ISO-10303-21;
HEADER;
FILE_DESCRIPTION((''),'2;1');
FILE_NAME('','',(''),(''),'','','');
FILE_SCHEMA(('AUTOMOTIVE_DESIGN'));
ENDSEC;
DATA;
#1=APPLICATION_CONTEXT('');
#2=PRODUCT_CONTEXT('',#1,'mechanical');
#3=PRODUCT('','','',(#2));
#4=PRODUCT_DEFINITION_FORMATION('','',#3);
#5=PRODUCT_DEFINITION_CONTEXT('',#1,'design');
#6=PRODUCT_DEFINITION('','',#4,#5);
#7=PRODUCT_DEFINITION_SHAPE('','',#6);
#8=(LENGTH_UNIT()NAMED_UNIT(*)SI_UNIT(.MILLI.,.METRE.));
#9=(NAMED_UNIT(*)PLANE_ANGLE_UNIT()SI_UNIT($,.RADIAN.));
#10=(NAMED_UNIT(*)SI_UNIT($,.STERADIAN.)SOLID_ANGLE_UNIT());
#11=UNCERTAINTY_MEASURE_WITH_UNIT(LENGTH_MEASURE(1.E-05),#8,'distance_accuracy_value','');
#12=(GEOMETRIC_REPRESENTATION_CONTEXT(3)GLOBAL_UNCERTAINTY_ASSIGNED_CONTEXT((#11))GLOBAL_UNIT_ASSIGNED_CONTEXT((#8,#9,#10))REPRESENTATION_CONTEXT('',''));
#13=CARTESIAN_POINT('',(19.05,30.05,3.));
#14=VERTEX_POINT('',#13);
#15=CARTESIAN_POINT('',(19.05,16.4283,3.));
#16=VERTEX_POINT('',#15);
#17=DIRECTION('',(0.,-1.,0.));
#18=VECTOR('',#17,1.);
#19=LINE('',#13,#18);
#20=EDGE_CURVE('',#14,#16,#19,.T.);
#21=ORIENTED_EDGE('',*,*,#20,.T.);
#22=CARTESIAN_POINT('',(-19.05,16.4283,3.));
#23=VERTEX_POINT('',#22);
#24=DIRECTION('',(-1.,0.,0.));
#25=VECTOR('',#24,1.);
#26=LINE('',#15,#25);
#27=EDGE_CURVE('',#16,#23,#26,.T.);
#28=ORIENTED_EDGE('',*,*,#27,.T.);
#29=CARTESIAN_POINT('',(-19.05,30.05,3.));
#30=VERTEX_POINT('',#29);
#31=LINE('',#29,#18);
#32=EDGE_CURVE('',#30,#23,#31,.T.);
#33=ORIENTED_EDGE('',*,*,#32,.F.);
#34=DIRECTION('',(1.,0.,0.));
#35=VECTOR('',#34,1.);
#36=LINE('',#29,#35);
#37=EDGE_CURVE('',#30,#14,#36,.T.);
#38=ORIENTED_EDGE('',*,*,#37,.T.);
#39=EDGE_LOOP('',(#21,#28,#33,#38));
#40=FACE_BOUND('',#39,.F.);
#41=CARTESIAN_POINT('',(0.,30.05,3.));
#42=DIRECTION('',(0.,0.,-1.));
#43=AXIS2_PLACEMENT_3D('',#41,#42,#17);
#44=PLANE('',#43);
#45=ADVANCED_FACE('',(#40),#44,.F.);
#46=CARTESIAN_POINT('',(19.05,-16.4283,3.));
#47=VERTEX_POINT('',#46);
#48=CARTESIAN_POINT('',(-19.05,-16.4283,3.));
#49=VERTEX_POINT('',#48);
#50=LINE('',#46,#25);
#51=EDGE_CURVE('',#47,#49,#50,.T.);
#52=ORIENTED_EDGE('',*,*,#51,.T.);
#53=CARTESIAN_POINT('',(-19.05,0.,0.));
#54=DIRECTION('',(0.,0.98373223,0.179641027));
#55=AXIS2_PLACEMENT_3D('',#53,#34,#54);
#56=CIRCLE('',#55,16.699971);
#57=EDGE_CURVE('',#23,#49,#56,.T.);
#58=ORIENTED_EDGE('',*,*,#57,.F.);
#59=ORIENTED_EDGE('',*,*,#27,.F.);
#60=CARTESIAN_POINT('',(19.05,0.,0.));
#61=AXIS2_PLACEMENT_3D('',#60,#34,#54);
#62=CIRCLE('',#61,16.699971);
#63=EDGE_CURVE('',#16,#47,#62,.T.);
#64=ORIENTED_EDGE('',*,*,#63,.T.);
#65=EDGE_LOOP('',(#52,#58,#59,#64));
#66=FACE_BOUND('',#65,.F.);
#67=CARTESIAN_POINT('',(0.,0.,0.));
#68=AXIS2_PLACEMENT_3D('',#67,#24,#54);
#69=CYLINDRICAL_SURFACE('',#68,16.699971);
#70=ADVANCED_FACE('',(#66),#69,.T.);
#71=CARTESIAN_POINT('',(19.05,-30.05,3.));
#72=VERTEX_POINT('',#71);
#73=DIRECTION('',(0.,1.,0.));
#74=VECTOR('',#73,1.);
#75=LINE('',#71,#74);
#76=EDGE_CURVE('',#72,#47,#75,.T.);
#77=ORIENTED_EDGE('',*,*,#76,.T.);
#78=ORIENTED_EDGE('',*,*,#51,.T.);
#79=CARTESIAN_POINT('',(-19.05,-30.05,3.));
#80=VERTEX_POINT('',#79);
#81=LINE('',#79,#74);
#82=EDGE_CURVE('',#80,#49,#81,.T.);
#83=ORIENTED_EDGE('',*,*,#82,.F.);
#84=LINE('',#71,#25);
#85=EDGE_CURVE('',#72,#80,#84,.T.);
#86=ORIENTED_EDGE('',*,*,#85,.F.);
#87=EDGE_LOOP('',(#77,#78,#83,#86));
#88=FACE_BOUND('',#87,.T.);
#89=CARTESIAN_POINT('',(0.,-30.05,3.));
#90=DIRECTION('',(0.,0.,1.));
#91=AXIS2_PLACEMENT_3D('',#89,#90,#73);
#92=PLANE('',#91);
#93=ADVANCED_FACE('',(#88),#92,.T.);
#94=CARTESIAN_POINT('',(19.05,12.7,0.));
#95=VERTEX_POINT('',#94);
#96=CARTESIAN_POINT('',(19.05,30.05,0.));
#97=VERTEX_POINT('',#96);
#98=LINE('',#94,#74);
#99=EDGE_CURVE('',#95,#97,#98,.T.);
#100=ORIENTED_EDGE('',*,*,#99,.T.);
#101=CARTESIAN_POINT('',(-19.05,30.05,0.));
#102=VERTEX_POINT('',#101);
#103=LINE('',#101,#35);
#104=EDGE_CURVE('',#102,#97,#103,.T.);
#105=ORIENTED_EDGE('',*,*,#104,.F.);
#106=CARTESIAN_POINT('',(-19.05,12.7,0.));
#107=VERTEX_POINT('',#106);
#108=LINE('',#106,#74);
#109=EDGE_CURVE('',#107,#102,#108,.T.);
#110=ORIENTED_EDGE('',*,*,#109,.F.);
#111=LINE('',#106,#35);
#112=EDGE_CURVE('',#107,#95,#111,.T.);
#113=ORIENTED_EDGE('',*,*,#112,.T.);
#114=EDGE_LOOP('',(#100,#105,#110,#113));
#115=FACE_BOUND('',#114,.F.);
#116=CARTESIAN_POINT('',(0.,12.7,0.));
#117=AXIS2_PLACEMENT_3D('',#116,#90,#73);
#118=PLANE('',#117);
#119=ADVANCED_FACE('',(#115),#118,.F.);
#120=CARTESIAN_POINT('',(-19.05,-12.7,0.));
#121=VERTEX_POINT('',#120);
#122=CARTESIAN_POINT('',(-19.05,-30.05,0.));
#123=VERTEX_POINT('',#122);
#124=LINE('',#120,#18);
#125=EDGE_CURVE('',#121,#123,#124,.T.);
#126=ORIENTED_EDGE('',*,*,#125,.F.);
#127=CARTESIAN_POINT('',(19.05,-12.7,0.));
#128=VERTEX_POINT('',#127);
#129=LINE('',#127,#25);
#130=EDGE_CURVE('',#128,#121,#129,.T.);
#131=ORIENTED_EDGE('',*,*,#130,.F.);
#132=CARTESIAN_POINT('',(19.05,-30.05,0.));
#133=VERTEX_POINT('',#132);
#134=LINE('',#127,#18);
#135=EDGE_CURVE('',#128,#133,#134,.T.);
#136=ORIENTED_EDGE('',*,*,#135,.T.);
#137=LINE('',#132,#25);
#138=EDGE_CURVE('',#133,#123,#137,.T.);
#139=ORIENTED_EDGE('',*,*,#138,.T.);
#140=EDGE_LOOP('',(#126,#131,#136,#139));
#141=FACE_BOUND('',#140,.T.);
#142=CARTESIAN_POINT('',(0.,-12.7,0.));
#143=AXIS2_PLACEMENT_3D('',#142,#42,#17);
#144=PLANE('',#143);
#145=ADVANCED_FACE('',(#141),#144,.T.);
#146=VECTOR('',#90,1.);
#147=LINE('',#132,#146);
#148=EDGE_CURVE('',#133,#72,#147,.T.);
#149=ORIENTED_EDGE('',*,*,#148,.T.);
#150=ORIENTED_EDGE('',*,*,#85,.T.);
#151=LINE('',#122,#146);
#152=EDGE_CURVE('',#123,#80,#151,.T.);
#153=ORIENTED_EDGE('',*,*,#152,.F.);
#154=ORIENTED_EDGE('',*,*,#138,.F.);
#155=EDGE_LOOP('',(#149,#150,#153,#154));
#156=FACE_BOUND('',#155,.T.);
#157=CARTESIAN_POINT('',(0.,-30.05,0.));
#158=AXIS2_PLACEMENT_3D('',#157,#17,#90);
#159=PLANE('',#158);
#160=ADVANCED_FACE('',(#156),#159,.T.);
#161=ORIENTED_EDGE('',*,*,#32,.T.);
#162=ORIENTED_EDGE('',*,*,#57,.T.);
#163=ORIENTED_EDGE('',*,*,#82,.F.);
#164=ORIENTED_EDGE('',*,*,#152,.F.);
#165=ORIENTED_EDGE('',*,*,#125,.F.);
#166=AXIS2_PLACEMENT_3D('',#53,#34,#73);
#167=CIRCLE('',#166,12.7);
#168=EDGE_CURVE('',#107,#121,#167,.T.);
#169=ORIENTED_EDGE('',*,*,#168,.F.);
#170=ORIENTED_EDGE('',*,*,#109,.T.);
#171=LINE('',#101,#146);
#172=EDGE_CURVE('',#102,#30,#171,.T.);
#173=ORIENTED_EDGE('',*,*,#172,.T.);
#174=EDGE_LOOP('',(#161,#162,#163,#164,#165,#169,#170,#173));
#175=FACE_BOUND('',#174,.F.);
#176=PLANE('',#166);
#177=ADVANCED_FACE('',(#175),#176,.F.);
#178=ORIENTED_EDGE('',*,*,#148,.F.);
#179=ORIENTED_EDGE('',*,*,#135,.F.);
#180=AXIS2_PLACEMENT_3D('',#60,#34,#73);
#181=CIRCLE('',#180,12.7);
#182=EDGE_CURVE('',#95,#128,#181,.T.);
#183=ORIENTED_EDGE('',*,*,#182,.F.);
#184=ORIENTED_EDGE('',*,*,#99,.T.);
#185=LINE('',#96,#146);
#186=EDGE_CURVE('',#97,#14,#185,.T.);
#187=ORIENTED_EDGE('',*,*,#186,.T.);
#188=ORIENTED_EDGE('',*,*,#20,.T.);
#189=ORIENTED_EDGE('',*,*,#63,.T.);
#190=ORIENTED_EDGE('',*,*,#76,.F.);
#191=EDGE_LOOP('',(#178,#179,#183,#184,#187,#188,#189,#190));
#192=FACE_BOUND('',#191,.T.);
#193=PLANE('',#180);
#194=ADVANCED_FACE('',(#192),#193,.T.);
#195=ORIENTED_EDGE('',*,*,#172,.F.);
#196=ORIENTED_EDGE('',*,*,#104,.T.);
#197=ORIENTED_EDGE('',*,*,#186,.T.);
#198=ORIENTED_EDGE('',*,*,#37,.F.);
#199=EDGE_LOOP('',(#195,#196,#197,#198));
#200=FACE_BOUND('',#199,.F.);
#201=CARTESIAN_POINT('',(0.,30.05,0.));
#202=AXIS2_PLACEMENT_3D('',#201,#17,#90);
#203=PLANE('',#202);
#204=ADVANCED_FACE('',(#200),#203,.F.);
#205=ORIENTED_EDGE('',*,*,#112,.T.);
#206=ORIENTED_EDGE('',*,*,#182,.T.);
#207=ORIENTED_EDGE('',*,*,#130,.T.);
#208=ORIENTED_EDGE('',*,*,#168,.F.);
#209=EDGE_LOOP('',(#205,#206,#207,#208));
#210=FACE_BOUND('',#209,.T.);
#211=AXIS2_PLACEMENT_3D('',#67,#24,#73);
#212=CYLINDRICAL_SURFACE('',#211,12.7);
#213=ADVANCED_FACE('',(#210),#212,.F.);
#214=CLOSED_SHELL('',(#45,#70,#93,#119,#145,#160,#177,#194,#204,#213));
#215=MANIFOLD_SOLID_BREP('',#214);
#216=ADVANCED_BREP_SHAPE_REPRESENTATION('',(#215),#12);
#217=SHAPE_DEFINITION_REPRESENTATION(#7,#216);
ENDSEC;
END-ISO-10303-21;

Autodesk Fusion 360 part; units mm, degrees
sketch "Sketch1" plane through (0, 0, 0) normal (1, 0, 0) x (0, 1, 0)
  line L0 (-116.8301, 0) -> (116.8301, 0) construction
  arc A0 (12.7, 0) -> (-12.7, 0) centre (0, 0) ccw
  arc A1 (16.4283, 3) -> (-16.4283, 3) centre (0, 0) ccw
  line L1 (-12.7, 0) -> (-30.05, 0)
  line L2 (-30.05, 0) -> (-30.05, 3)
  line L3 (-30.05, 3) -> (-16.4283, 3)
  line L4 (0, 0) -> (0, 21) construction
  line L5 (30.05, 3) -> (16.4283, 3)
  line L6 (30.05, 0) -> (30.05, 3)
  line L7 (12.7, 0) -> (30.05, 0)
  dimension "d1" = 12.7
  dimension "d2" = 4
  dimension "d3" = 30.05
  dimension "d4" = 3
extrude "Extrude1" add sketch "Sketch1" along normal mid plane 38.1
equation "d1 = 1 in / 2"
equation "d3 = 60.1 mm / 2"
